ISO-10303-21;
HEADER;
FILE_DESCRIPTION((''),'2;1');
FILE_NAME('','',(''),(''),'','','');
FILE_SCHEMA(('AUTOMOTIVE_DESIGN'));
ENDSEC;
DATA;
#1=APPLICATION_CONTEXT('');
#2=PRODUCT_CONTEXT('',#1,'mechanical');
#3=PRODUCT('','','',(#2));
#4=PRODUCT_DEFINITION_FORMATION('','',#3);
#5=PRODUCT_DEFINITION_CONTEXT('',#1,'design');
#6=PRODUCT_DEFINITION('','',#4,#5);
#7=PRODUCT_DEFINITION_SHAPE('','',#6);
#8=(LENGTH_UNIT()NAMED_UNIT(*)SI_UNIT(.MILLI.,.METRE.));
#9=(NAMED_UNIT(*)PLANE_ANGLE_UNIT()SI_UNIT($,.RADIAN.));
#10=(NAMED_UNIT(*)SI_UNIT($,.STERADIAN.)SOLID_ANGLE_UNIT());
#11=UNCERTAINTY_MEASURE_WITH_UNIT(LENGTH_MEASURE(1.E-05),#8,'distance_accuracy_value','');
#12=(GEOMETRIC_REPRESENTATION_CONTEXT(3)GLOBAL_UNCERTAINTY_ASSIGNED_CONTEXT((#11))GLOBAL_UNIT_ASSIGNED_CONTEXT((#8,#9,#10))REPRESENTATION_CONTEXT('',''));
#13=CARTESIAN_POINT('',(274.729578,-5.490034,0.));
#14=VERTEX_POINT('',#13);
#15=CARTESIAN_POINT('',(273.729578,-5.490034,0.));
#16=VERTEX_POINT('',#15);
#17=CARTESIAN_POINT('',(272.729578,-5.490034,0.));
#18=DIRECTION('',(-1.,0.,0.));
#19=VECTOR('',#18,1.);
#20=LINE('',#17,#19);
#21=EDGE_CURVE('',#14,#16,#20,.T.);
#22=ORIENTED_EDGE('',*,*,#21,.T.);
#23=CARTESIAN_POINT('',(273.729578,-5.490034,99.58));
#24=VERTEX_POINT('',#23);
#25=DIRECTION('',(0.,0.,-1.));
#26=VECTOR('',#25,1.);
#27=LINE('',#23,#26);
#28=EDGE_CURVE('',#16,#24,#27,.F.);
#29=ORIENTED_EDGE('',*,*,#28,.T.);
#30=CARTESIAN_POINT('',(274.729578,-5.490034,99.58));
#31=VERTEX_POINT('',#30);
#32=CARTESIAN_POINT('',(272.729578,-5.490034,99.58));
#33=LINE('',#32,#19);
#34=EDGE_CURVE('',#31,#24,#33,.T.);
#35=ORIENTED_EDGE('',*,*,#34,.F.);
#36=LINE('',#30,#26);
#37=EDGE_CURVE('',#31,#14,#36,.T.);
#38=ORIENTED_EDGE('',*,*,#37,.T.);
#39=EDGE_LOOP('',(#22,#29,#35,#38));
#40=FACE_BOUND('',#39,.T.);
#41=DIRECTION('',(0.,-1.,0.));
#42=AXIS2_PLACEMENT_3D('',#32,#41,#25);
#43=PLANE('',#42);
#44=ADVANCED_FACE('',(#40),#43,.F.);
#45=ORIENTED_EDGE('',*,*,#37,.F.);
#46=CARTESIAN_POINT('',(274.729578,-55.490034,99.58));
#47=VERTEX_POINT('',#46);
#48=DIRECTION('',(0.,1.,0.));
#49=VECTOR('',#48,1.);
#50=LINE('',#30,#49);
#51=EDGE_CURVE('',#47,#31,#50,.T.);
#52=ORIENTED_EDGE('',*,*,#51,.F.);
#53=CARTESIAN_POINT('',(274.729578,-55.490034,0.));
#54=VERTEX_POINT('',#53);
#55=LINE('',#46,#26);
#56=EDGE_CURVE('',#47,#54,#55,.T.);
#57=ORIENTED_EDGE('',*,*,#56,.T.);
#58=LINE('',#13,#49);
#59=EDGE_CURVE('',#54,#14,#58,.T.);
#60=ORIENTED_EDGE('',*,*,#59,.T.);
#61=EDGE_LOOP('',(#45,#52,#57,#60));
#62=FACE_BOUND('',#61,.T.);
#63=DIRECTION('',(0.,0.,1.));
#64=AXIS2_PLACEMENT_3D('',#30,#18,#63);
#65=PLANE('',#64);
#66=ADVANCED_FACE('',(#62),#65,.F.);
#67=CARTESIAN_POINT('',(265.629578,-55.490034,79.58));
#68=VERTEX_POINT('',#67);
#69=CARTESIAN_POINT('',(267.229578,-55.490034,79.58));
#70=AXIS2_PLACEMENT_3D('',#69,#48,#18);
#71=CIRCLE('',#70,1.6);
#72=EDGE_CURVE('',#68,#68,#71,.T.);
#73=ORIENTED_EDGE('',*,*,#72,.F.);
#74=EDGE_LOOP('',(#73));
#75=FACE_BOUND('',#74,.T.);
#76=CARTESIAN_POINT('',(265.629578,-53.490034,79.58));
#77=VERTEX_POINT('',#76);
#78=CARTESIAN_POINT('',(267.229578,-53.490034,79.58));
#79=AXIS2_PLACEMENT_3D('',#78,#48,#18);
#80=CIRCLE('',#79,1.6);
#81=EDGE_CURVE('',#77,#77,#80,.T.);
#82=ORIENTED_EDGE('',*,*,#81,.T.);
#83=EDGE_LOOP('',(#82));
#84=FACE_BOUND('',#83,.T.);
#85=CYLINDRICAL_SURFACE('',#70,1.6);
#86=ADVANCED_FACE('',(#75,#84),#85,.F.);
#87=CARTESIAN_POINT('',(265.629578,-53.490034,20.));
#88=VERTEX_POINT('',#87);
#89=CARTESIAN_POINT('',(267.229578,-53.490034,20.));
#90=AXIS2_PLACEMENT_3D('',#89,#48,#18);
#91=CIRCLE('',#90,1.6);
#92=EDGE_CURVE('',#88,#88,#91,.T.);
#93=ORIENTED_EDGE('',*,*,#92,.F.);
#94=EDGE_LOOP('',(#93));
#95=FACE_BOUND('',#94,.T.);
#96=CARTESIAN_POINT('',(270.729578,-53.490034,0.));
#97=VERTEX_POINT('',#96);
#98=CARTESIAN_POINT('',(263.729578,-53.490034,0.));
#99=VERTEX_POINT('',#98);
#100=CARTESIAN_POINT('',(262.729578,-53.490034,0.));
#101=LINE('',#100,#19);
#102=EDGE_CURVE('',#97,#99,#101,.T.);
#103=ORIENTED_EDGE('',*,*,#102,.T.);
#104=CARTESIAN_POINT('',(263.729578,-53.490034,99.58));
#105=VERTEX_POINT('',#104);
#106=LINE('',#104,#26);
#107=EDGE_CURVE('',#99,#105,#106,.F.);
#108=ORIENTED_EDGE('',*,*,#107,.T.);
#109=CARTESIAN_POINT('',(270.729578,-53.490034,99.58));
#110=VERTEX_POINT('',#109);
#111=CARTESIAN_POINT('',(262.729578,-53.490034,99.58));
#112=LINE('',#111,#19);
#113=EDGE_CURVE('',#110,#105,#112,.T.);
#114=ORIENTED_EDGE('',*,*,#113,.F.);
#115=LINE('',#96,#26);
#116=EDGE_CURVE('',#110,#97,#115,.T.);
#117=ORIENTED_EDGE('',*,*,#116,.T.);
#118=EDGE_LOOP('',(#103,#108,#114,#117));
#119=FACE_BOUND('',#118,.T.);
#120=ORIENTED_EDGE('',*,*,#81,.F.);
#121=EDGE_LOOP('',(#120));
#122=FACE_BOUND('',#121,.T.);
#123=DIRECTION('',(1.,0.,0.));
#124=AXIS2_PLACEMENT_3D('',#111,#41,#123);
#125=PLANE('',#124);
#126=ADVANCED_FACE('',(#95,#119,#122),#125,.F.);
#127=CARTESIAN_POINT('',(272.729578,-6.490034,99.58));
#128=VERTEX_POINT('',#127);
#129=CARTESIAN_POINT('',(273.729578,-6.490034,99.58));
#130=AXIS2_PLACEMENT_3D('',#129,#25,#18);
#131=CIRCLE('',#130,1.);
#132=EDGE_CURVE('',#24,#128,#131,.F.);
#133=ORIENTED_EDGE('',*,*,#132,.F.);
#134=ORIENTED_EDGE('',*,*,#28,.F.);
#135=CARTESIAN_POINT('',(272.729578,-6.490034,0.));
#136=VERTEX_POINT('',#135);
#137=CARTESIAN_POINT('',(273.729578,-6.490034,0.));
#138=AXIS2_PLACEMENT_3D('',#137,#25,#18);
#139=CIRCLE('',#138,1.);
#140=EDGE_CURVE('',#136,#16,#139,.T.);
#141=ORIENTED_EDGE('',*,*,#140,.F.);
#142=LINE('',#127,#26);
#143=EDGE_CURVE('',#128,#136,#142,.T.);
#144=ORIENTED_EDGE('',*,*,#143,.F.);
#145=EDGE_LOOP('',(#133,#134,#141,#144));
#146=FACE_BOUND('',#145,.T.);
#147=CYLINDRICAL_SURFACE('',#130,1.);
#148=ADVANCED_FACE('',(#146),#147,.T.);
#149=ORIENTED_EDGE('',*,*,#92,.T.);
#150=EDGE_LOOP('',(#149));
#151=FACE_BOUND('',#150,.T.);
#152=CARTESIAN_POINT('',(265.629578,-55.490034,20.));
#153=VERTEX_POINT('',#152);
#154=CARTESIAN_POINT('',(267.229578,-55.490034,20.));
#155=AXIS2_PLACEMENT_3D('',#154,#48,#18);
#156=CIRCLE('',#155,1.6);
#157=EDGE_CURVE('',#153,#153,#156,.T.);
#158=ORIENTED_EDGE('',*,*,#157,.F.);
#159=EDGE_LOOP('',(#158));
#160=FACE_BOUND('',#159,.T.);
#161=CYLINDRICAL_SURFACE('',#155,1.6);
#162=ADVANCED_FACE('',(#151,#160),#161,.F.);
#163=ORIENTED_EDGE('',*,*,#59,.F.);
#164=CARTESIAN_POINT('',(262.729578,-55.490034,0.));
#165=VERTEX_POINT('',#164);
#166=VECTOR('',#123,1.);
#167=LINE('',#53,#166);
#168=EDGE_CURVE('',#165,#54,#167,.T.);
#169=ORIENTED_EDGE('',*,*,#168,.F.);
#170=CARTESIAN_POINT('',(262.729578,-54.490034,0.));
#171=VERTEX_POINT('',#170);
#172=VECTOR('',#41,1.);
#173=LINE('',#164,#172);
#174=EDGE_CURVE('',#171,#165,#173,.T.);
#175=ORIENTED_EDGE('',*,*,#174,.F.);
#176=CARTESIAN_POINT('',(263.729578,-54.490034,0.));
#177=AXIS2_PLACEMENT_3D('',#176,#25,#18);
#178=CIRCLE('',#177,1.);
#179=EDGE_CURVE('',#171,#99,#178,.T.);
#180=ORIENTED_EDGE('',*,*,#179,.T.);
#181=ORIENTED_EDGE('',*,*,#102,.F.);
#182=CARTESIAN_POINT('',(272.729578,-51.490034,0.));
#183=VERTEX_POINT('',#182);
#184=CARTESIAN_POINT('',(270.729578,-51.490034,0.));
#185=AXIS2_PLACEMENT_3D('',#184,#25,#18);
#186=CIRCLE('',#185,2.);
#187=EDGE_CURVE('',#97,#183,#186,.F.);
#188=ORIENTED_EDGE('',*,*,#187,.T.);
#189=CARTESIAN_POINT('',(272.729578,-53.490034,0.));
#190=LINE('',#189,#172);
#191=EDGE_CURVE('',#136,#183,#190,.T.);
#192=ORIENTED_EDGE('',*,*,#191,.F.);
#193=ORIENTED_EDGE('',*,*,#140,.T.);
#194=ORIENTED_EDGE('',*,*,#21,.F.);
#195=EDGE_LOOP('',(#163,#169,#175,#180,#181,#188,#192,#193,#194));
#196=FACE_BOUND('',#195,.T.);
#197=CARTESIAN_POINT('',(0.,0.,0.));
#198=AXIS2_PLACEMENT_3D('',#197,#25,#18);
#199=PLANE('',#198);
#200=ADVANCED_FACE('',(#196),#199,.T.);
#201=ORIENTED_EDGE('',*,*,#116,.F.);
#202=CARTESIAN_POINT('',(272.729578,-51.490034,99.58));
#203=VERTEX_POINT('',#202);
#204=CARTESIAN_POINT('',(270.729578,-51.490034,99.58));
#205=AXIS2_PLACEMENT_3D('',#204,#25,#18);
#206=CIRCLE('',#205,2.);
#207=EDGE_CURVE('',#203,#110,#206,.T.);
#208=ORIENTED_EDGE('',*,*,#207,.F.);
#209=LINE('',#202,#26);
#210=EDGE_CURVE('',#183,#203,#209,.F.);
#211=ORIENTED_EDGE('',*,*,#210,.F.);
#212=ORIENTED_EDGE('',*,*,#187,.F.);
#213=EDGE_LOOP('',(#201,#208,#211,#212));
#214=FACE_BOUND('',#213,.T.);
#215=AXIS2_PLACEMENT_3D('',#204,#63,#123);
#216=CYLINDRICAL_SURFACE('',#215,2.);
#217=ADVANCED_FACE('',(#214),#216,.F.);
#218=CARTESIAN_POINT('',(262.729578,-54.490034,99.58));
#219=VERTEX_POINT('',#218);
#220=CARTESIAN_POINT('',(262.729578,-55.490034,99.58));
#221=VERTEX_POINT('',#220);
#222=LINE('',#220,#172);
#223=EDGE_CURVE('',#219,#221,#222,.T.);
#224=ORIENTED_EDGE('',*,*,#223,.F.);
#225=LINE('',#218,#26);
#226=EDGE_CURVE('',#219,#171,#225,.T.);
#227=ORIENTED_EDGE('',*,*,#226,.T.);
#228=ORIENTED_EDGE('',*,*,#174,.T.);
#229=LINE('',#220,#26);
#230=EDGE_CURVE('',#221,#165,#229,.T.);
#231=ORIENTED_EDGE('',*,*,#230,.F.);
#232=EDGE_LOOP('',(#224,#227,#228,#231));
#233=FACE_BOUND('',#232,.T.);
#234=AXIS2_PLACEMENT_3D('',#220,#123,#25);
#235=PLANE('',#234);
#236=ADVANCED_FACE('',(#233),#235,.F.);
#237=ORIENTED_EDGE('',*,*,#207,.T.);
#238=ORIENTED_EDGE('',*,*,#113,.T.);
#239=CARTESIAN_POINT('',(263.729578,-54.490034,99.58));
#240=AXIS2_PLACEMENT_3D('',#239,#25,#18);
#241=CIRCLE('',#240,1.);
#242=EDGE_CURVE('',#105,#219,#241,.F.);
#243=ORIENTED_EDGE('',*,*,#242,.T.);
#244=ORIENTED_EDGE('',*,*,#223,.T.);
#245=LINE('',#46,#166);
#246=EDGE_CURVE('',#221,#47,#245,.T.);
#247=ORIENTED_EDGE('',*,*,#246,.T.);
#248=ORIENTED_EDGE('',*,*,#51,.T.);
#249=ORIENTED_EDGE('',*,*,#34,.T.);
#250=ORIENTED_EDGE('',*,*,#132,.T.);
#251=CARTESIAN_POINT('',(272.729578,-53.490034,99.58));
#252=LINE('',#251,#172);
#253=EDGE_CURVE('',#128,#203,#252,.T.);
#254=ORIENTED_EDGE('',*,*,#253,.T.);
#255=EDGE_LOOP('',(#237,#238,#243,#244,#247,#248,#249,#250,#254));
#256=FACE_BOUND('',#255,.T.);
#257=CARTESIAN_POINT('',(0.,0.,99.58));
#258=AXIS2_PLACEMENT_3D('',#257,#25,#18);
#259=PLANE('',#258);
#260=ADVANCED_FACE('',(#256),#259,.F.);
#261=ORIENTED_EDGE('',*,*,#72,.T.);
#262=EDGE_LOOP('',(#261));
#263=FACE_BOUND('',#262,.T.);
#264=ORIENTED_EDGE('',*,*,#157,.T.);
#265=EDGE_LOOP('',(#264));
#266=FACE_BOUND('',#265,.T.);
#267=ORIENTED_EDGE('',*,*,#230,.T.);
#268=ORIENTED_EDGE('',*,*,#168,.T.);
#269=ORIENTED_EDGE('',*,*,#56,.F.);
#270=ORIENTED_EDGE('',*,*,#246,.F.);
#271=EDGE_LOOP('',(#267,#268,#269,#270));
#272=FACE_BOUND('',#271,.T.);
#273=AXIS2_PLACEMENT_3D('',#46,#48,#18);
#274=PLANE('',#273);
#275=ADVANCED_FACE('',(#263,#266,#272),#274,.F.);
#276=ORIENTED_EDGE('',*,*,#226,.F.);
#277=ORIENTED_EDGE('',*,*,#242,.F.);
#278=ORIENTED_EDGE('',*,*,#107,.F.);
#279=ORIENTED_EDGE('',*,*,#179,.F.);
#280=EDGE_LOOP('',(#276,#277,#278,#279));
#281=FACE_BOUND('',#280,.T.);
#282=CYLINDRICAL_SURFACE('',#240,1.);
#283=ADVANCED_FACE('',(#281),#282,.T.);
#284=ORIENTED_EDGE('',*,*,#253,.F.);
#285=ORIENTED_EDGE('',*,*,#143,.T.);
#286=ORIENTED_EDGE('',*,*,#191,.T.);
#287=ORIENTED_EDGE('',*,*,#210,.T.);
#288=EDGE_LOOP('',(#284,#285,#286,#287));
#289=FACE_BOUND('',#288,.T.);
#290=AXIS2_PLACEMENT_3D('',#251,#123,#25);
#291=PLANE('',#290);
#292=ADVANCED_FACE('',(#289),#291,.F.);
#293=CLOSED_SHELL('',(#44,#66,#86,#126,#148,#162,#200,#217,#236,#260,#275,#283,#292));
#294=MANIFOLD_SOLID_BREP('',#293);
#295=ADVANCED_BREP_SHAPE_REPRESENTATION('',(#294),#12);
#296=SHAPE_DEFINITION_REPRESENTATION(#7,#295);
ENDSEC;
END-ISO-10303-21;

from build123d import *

# Parameters (mm, degrees)
BOSS_EXTRUDE1_DEPTH = 99.58
FILLET1_R           = 1
FILLET2_R           = 2
SKETCH2_R           = 1.6
CUT_EXTRUDE1_DEPTH  = 297.13597768


with BuildPart() as part:
    # Sketch1 → Boss-Extrude1 (new body)
    with BuildSketch(Plane.XY):
        Polygon((274.729577724, -5.490034005), (274.729577724, -55.490034005), (262.729577724, -55.490034005), (262.729577724, -53.490034005), (272.729577724, -53.490034005), (272.729577724, -5.490034005), align=None)
    extrude(amount=BOSS_EXTRUDE1_DEPTH)

    # Fillet1
    fillet1_edges = [part.edges().sort_by_distance(p)[0] for p in [
        (262.729577724, -53.490034005, 49.79),
        (272.729577724, -5.490034005, 49.79),
    ]]
    fillet(fillet1_edges, radius=FILLET1_R)

    # Fillet2
    fillet2_edges = [part.edges().sort_by_distance(p)[0] for p in [
        (272.729577724, -53.490034005, 49.79),
    ]]
    fillet(fillet2_edges, radius=FILLET2_R)

    # Sketch2 → Cut-Extrude1 (cut, through all)
    with BuildSketch(Plane(origin=(0, -53.490034005, 0), x_dir=(1, 0, 0), z_dir=(0, 1, 0))):
        with Locations(Location((267.229577724, -20, 0), (0, 0, 180))):
            Circle(SKETCH2_R)
        with Locations(Location((267.229577724, -79.58, 0), (0, 0, 180))):
            Circle(SKETCH2_R)
    extrude(amount=-CUT_EXTRUDE1_DEPTH, mode=Mode.SUBTRACT)


solid = part.part
